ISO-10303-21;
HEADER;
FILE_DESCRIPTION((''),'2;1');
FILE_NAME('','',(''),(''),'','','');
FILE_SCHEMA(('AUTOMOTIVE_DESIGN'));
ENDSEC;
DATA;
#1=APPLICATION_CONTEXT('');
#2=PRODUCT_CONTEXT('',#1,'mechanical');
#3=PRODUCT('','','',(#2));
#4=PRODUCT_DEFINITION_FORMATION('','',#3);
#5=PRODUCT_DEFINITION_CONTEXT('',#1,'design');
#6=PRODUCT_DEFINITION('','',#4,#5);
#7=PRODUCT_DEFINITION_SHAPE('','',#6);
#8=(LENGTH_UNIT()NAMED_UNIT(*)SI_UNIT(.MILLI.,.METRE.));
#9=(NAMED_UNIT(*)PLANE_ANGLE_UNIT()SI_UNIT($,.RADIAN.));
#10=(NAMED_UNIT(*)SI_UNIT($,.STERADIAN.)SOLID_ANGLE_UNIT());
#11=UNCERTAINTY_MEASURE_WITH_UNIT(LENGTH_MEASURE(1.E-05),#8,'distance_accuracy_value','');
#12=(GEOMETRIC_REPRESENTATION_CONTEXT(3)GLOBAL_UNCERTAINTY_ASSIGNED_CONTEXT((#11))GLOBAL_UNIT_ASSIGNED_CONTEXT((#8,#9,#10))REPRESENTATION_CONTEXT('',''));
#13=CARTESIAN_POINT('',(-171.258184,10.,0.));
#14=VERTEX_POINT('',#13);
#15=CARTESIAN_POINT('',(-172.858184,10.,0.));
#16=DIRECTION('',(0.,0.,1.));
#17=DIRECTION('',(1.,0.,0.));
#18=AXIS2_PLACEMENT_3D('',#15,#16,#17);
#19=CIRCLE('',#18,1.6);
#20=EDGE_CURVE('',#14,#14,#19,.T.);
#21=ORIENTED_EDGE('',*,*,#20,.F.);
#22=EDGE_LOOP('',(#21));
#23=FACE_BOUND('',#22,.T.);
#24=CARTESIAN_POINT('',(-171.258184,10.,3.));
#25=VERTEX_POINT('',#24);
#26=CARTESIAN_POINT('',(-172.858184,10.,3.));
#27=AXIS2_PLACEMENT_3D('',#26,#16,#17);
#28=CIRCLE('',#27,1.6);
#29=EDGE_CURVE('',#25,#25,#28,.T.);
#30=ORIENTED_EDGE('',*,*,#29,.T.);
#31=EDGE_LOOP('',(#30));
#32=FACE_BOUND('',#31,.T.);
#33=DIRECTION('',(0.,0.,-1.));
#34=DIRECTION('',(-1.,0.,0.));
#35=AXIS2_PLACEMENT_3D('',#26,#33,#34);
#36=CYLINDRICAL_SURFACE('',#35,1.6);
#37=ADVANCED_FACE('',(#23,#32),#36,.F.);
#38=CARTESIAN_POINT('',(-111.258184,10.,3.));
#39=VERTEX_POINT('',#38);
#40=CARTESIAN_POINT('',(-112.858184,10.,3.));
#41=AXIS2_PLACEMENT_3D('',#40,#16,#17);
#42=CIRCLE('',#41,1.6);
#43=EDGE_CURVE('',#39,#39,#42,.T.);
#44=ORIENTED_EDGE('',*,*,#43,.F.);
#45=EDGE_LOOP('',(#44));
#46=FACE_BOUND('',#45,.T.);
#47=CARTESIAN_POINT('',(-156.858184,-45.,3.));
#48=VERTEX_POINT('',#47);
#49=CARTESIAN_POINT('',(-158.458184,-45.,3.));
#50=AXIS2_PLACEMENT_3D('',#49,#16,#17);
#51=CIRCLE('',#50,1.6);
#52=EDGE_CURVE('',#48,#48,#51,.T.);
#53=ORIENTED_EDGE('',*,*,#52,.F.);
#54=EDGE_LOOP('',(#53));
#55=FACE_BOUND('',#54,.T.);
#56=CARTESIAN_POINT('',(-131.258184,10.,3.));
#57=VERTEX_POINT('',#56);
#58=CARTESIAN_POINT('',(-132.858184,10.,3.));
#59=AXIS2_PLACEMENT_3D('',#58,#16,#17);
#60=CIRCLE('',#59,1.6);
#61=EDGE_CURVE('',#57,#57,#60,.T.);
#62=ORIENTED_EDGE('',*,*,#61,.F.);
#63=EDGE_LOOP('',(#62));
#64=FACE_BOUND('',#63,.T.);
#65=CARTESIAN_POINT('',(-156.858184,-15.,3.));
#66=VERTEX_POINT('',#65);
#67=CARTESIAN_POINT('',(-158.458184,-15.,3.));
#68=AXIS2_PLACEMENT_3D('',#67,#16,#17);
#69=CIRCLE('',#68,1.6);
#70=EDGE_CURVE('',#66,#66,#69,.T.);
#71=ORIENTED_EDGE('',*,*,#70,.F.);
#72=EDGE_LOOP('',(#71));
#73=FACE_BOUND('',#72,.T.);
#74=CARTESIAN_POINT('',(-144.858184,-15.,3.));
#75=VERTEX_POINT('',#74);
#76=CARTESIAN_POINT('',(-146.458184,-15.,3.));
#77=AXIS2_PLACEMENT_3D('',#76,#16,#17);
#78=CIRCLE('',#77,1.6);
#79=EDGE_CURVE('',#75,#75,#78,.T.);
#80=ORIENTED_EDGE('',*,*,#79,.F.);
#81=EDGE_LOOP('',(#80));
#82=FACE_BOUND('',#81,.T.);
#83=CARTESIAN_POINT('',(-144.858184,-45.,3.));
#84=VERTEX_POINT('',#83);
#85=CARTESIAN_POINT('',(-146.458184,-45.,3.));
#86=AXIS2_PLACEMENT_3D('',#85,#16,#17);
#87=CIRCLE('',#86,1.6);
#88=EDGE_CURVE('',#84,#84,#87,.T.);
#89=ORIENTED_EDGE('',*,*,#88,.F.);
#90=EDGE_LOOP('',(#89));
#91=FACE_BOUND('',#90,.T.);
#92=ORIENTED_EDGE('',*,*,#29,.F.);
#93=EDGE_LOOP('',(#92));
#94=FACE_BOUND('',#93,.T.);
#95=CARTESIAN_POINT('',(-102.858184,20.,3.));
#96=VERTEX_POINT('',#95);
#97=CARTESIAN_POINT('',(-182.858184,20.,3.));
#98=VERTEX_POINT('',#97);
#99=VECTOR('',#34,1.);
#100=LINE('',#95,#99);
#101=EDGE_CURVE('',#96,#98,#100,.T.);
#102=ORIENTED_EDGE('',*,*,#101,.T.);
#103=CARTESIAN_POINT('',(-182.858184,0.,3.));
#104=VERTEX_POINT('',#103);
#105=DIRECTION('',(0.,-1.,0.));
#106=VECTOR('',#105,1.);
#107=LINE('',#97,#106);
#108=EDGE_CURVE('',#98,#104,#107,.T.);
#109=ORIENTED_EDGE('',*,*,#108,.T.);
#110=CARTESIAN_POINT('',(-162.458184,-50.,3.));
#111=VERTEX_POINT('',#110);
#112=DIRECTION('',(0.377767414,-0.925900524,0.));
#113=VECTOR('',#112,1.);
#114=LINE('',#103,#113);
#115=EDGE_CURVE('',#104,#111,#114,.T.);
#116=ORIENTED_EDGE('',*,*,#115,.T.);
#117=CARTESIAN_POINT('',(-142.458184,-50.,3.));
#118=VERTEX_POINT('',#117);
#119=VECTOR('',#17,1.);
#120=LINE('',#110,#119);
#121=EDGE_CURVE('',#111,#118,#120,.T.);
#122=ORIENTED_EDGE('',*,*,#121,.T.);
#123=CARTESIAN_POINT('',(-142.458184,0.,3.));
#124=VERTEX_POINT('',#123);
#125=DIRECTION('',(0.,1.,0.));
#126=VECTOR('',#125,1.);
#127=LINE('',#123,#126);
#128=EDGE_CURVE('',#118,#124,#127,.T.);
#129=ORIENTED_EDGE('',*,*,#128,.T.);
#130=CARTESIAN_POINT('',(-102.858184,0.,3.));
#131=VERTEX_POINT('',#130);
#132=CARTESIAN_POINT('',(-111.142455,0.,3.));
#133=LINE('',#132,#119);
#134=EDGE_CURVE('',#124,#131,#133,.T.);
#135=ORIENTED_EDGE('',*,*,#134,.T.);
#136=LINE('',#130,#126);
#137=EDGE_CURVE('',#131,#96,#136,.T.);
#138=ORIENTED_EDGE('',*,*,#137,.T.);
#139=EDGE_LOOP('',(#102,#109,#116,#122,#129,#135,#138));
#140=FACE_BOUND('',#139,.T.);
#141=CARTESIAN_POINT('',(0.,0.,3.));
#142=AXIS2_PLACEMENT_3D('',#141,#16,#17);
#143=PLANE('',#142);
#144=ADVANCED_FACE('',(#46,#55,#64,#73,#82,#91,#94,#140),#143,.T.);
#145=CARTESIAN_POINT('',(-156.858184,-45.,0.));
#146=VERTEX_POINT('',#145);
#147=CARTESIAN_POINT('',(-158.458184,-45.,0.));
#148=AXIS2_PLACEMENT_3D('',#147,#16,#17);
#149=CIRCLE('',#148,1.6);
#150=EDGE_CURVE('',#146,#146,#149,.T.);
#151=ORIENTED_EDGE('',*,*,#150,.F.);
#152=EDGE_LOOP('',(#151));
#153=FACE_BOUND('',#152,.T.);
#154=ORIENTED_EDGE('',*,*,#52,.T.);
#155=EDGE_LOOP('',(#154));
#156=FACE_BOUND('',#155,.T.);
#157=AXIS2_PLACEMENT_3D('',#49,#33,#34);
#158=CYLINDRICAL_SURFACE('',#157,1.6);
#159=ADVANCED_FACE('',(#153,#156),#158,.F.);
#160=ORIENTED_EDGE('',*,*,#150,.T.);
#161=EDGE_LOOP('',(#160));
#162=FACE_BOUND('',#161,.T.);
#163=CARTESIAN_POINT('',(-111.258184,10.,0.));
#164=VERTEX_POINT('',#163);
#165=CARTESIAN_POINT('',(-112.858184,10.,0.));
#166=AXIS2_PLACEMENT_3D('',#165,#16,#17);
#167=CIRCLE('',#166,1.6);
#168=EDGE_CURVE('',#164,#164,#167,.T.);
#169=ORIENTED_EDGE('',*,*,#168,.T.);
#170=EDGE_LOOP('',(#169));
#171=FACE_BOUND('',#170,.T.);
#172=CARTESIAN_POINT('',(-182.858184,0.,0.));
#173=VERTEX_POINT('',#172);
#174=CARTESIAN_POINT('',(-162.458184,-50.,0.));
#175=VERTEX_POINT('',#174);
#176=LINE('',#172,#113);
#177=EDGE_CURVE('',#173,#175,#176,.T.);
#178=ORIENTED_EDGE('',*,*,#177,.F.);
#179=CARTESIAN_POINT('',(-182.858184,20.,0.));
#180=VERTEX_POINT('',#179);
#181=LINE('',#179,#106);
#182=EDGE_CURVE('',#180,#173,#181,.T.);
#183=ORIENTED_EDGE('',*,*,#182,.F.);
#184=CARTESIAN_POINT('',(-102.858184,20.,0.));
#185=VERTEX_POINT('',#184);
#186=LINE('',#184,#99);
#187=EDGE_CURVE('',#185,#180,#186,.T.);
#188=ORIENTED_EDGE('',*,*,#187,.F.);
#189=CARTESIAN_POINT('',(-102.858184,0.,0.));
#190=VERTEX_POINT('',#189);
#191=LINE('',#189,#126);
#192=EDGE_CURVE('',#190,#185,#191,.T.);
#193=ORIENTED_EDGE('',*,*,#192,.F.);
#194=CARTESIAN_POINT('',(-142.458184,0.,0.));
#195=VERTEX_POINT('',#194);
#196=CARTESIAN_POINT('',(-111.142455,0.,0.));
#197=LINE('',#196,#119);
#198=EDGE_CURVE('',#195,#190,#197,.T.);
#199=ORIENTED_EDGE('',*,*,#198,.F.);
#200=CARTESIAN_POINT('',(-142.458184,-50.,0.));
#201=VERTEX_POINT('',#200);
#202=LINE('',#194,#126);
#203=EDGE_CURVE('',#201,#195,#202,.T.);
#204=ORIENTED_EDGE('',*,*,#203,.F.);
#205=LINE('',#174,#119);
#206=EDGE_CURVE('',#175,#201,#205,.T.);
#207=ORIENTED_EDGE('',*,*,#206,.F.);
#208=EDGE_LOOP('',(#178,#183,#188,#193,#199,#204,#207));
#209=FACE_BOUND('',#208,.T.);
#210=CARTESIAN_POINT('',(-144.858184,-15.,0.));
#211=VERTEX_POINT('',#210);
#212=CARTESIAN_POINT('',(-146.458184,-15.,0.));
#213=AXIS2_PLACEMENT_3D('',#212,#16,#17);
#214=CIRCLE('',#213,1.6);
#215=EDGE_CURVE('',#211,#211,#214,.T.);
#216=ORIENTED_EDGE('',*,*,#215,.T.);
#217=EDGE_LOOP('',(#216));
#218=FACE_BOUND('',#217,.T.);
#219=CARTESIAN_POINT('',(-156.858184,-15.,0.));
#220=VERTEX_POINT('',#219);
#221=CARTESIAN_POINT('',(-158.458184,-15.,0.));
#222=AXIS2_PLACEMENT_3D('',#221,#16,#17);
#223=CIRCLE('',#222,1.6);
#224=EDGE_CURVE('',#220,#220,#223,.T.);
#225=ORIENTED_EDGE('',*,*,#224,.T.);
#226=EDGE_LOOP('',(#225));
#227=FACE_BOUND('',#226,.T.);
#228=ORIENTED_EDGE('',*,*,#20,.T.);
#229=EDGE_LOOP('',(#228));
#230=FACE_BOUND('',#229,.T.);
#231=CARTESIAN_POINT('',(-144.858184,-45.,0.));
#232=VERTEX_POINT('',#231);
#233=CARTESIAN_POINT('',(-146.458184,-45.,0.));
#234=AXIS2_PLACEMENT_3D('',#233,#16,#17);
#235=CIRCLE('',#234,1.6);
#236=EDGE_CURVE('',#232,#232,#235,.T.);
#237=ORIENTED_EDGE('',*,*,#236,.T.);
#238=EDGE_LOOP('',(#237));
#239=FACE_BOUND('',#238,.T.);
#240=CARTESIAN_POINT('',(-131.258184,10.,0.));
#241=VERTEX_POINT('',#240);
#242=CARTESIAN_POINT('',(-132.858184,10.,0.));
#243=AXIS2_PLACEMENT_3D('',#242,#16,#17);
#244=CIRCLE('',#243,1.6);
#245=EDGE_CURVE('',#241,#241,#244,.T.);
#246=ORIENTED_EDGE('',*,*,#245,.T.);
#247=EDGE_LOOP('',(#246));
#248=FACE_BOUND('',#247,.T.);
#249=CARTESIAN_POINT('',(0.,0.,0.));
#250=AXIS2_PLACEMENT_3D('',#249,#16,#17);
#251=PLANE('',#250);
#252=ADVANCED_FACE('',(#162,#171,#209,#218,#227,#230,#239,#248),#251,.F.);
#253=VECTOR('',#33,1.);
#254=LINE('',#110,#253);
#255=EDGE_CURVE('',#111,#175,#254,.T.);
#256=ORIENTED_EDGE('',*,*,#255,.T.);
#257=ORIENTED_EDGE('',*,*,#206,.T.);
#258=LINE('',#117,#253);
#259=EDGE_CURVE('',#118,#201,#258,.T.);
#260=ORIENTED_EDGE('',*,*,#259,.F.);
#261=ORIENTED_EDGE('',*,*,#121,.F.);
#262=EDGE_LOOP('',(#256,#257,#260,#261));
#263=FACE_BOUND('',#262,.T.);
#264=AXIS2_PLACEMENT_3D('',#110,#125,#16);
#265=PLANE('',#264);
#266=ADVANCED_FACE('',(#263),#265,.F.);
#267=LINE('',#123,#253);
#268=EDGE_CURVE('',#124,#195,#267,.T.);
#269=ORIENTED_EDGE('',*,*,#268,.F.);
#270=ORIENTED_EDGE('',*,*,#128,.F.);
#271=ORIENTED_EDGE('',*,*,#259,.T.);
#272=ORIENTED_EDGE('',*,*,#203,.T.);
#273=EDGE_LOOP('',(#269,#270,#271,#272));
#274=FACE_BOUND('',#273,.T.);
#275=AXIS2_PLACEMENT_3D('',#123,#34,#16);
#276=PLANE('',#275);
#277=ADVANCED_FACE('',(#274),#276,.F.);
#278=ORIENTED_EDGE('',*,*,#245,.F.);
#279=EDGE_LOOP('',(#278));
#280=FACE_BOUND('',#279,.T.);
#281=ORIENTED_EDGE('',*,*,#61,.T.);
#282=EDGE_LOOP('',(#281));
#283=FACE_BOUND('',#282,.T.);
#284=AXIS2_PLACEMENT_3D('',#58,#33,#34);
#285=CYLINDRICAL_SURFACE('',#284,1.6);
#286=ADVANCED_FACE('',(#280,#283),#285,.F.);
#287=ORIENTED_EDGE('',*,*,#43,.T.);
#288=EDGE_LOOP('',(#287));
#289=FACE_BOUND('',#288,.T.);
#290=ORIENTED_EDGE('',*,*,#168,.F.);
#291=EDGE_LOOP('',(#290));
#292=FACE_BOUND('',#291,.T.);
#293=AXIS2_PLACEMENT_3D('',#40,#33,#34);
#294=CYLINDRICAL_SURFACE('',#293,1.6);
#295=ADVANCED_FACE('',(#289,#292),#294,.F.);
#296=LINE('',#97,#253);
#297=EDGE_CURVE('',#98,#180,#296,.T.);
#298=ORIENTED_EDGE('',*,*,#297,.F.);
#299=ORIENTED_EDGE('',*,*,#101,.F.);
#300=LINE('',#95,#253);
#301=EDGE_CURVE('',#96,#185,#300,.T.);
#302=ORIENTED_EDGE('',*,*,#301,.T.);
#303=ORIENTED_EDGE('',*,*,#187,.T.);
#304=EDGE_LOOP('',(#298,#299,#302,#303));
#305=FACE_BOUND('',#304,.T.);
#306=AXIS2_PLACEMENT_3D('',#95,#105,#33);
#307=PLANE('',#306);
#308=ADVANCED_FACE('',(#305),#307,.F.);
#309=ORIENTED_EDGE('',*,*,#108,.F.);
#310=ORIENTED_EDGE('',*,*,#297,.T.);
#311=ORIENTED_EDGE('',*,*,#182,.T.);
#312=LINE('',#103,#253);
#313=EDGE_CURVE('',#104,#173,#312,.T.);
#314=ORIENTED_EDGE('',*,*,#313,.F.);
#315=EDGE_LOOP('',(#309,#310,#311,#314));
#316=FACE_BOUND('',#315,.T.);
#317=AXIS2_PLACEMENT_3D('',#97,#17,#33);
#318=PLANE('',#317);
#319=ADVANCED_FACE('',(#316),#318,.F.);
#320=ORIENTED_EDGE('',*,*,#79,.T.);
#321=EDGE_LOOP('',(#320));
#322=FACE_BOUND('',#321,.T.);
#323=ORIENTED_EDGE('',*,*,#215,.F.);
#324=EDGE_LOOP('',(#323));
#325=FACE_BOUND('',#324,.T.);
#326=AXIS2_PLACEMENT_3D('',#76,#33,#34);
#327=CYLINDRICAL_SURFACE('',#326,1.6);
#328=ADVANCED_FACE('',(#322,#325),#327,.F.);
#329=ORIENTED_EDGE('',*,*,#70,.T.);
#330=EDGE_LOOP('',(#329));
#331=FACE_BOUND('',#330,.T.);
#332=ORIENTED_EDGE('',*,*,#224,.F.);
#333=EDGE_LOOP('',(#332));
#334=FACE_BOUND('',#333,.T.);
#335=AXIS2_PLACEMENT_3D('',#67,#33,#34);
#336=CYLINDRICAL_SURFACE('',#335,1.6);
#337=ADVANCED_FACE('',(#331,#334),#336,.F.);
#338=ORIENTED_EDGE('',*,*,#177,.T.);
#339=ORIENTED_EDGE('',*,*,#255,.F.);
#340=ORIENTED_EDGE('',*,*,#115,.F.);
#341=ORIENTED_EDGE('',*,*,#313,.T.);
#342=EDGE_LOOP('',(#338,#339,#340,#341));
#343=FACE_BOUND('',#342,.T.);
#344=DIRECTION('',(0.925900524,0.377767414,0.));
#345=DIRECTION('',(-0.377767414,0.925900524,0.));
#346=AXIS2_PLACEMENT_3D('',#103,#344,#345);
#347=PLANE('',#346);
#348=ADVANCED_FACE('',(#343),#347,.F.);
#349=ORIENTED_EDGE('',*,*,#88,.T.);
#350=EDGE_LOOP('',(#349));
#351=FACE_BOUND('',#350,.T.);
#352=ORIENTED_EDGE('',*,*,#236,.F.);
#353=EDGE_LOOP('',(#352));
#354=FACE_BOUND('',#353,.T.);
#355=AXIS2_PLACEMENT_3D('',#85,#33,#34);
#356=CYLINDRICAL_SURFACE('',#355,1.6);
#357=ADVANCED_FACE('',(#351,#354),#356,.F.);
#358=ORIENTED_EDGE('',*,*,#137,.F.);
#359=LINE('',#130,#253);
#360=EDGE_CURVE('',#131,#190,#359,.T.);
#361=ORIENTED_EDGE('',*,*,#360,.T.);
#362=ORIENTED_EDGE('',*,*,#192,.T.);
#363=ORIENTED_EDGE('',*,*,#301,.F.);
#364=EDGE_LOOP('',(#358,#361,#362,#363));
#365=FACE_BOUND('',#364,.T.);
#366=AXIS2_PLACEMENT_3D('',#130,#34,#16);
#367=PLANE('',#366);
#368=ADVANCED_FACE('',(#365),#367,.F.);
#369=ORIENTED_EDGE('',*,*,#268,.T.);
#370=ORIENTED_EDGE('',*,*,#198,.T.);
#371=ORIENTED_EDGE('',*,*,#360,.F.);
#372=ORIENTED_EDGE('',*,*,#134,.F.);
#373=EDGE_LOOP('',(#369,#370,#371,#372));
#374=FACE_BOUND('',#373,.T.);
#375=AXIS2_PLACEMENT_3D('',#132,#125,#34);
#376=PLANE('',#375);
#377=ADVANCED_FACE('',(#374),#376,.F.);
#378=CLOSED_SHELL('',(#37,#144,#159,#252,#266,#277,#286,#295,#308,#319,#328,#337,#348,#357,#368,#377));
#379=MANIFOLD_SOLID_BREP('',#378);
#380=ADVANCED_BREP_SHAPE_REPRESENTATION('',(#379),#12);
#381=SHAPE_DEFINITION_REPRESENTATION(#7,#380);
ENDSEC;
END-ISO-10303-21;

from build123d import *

# Parameters (mm, degrees)
SKETCH1_R      = 1.6
EXTRUDE1_DEPTH = 3


with BuildPart() as part:
    # Sketch1 → Extrude1 (new body)
    with BuildSketch(Plane.XY):
        Polygon((-182.858183995, 20), (-182.858183995, 0), (-162.458183995, -50), (-142.458183995, -50), (-142.458183995, 0), (-111.142455243, 0), (-102.858183995, 0), (-102.858183995, 20), align=None)
        with Locations((-172.858183995, 10)):
            Circle(SKETCH1_R, mode=Mode.SUBTRACT)
        with Locations((-112.858183995, 10)):
            Circle(SKETCH1_R, mode=Mode.SUBTRACT)
        with Locations((-132.858183995, 10)):
            Circle(SKETCH1_R, mode=Mode.SUBTRACT)
        with Locations((-158.458183995, -15)):
            Circle(SKETCH1_R, mode=Mode.SUBTRACT)
        with Locations((-146.458183995, -15)):
            Circle(SKETCH1_R, mode=Mode.SUBTRACT)
        with Locations((-158.458183995, -45)):
            Circle(SKETCH1_R, mode=Mode.SUBTRACT)
        with Locations((-146.458183995, -45)):
            Circle(SKETCH1_R, mode=Mode.SUBTRACT)
    extrude(amount=EXTRUDE1_DEPTH)


solid = part.part
